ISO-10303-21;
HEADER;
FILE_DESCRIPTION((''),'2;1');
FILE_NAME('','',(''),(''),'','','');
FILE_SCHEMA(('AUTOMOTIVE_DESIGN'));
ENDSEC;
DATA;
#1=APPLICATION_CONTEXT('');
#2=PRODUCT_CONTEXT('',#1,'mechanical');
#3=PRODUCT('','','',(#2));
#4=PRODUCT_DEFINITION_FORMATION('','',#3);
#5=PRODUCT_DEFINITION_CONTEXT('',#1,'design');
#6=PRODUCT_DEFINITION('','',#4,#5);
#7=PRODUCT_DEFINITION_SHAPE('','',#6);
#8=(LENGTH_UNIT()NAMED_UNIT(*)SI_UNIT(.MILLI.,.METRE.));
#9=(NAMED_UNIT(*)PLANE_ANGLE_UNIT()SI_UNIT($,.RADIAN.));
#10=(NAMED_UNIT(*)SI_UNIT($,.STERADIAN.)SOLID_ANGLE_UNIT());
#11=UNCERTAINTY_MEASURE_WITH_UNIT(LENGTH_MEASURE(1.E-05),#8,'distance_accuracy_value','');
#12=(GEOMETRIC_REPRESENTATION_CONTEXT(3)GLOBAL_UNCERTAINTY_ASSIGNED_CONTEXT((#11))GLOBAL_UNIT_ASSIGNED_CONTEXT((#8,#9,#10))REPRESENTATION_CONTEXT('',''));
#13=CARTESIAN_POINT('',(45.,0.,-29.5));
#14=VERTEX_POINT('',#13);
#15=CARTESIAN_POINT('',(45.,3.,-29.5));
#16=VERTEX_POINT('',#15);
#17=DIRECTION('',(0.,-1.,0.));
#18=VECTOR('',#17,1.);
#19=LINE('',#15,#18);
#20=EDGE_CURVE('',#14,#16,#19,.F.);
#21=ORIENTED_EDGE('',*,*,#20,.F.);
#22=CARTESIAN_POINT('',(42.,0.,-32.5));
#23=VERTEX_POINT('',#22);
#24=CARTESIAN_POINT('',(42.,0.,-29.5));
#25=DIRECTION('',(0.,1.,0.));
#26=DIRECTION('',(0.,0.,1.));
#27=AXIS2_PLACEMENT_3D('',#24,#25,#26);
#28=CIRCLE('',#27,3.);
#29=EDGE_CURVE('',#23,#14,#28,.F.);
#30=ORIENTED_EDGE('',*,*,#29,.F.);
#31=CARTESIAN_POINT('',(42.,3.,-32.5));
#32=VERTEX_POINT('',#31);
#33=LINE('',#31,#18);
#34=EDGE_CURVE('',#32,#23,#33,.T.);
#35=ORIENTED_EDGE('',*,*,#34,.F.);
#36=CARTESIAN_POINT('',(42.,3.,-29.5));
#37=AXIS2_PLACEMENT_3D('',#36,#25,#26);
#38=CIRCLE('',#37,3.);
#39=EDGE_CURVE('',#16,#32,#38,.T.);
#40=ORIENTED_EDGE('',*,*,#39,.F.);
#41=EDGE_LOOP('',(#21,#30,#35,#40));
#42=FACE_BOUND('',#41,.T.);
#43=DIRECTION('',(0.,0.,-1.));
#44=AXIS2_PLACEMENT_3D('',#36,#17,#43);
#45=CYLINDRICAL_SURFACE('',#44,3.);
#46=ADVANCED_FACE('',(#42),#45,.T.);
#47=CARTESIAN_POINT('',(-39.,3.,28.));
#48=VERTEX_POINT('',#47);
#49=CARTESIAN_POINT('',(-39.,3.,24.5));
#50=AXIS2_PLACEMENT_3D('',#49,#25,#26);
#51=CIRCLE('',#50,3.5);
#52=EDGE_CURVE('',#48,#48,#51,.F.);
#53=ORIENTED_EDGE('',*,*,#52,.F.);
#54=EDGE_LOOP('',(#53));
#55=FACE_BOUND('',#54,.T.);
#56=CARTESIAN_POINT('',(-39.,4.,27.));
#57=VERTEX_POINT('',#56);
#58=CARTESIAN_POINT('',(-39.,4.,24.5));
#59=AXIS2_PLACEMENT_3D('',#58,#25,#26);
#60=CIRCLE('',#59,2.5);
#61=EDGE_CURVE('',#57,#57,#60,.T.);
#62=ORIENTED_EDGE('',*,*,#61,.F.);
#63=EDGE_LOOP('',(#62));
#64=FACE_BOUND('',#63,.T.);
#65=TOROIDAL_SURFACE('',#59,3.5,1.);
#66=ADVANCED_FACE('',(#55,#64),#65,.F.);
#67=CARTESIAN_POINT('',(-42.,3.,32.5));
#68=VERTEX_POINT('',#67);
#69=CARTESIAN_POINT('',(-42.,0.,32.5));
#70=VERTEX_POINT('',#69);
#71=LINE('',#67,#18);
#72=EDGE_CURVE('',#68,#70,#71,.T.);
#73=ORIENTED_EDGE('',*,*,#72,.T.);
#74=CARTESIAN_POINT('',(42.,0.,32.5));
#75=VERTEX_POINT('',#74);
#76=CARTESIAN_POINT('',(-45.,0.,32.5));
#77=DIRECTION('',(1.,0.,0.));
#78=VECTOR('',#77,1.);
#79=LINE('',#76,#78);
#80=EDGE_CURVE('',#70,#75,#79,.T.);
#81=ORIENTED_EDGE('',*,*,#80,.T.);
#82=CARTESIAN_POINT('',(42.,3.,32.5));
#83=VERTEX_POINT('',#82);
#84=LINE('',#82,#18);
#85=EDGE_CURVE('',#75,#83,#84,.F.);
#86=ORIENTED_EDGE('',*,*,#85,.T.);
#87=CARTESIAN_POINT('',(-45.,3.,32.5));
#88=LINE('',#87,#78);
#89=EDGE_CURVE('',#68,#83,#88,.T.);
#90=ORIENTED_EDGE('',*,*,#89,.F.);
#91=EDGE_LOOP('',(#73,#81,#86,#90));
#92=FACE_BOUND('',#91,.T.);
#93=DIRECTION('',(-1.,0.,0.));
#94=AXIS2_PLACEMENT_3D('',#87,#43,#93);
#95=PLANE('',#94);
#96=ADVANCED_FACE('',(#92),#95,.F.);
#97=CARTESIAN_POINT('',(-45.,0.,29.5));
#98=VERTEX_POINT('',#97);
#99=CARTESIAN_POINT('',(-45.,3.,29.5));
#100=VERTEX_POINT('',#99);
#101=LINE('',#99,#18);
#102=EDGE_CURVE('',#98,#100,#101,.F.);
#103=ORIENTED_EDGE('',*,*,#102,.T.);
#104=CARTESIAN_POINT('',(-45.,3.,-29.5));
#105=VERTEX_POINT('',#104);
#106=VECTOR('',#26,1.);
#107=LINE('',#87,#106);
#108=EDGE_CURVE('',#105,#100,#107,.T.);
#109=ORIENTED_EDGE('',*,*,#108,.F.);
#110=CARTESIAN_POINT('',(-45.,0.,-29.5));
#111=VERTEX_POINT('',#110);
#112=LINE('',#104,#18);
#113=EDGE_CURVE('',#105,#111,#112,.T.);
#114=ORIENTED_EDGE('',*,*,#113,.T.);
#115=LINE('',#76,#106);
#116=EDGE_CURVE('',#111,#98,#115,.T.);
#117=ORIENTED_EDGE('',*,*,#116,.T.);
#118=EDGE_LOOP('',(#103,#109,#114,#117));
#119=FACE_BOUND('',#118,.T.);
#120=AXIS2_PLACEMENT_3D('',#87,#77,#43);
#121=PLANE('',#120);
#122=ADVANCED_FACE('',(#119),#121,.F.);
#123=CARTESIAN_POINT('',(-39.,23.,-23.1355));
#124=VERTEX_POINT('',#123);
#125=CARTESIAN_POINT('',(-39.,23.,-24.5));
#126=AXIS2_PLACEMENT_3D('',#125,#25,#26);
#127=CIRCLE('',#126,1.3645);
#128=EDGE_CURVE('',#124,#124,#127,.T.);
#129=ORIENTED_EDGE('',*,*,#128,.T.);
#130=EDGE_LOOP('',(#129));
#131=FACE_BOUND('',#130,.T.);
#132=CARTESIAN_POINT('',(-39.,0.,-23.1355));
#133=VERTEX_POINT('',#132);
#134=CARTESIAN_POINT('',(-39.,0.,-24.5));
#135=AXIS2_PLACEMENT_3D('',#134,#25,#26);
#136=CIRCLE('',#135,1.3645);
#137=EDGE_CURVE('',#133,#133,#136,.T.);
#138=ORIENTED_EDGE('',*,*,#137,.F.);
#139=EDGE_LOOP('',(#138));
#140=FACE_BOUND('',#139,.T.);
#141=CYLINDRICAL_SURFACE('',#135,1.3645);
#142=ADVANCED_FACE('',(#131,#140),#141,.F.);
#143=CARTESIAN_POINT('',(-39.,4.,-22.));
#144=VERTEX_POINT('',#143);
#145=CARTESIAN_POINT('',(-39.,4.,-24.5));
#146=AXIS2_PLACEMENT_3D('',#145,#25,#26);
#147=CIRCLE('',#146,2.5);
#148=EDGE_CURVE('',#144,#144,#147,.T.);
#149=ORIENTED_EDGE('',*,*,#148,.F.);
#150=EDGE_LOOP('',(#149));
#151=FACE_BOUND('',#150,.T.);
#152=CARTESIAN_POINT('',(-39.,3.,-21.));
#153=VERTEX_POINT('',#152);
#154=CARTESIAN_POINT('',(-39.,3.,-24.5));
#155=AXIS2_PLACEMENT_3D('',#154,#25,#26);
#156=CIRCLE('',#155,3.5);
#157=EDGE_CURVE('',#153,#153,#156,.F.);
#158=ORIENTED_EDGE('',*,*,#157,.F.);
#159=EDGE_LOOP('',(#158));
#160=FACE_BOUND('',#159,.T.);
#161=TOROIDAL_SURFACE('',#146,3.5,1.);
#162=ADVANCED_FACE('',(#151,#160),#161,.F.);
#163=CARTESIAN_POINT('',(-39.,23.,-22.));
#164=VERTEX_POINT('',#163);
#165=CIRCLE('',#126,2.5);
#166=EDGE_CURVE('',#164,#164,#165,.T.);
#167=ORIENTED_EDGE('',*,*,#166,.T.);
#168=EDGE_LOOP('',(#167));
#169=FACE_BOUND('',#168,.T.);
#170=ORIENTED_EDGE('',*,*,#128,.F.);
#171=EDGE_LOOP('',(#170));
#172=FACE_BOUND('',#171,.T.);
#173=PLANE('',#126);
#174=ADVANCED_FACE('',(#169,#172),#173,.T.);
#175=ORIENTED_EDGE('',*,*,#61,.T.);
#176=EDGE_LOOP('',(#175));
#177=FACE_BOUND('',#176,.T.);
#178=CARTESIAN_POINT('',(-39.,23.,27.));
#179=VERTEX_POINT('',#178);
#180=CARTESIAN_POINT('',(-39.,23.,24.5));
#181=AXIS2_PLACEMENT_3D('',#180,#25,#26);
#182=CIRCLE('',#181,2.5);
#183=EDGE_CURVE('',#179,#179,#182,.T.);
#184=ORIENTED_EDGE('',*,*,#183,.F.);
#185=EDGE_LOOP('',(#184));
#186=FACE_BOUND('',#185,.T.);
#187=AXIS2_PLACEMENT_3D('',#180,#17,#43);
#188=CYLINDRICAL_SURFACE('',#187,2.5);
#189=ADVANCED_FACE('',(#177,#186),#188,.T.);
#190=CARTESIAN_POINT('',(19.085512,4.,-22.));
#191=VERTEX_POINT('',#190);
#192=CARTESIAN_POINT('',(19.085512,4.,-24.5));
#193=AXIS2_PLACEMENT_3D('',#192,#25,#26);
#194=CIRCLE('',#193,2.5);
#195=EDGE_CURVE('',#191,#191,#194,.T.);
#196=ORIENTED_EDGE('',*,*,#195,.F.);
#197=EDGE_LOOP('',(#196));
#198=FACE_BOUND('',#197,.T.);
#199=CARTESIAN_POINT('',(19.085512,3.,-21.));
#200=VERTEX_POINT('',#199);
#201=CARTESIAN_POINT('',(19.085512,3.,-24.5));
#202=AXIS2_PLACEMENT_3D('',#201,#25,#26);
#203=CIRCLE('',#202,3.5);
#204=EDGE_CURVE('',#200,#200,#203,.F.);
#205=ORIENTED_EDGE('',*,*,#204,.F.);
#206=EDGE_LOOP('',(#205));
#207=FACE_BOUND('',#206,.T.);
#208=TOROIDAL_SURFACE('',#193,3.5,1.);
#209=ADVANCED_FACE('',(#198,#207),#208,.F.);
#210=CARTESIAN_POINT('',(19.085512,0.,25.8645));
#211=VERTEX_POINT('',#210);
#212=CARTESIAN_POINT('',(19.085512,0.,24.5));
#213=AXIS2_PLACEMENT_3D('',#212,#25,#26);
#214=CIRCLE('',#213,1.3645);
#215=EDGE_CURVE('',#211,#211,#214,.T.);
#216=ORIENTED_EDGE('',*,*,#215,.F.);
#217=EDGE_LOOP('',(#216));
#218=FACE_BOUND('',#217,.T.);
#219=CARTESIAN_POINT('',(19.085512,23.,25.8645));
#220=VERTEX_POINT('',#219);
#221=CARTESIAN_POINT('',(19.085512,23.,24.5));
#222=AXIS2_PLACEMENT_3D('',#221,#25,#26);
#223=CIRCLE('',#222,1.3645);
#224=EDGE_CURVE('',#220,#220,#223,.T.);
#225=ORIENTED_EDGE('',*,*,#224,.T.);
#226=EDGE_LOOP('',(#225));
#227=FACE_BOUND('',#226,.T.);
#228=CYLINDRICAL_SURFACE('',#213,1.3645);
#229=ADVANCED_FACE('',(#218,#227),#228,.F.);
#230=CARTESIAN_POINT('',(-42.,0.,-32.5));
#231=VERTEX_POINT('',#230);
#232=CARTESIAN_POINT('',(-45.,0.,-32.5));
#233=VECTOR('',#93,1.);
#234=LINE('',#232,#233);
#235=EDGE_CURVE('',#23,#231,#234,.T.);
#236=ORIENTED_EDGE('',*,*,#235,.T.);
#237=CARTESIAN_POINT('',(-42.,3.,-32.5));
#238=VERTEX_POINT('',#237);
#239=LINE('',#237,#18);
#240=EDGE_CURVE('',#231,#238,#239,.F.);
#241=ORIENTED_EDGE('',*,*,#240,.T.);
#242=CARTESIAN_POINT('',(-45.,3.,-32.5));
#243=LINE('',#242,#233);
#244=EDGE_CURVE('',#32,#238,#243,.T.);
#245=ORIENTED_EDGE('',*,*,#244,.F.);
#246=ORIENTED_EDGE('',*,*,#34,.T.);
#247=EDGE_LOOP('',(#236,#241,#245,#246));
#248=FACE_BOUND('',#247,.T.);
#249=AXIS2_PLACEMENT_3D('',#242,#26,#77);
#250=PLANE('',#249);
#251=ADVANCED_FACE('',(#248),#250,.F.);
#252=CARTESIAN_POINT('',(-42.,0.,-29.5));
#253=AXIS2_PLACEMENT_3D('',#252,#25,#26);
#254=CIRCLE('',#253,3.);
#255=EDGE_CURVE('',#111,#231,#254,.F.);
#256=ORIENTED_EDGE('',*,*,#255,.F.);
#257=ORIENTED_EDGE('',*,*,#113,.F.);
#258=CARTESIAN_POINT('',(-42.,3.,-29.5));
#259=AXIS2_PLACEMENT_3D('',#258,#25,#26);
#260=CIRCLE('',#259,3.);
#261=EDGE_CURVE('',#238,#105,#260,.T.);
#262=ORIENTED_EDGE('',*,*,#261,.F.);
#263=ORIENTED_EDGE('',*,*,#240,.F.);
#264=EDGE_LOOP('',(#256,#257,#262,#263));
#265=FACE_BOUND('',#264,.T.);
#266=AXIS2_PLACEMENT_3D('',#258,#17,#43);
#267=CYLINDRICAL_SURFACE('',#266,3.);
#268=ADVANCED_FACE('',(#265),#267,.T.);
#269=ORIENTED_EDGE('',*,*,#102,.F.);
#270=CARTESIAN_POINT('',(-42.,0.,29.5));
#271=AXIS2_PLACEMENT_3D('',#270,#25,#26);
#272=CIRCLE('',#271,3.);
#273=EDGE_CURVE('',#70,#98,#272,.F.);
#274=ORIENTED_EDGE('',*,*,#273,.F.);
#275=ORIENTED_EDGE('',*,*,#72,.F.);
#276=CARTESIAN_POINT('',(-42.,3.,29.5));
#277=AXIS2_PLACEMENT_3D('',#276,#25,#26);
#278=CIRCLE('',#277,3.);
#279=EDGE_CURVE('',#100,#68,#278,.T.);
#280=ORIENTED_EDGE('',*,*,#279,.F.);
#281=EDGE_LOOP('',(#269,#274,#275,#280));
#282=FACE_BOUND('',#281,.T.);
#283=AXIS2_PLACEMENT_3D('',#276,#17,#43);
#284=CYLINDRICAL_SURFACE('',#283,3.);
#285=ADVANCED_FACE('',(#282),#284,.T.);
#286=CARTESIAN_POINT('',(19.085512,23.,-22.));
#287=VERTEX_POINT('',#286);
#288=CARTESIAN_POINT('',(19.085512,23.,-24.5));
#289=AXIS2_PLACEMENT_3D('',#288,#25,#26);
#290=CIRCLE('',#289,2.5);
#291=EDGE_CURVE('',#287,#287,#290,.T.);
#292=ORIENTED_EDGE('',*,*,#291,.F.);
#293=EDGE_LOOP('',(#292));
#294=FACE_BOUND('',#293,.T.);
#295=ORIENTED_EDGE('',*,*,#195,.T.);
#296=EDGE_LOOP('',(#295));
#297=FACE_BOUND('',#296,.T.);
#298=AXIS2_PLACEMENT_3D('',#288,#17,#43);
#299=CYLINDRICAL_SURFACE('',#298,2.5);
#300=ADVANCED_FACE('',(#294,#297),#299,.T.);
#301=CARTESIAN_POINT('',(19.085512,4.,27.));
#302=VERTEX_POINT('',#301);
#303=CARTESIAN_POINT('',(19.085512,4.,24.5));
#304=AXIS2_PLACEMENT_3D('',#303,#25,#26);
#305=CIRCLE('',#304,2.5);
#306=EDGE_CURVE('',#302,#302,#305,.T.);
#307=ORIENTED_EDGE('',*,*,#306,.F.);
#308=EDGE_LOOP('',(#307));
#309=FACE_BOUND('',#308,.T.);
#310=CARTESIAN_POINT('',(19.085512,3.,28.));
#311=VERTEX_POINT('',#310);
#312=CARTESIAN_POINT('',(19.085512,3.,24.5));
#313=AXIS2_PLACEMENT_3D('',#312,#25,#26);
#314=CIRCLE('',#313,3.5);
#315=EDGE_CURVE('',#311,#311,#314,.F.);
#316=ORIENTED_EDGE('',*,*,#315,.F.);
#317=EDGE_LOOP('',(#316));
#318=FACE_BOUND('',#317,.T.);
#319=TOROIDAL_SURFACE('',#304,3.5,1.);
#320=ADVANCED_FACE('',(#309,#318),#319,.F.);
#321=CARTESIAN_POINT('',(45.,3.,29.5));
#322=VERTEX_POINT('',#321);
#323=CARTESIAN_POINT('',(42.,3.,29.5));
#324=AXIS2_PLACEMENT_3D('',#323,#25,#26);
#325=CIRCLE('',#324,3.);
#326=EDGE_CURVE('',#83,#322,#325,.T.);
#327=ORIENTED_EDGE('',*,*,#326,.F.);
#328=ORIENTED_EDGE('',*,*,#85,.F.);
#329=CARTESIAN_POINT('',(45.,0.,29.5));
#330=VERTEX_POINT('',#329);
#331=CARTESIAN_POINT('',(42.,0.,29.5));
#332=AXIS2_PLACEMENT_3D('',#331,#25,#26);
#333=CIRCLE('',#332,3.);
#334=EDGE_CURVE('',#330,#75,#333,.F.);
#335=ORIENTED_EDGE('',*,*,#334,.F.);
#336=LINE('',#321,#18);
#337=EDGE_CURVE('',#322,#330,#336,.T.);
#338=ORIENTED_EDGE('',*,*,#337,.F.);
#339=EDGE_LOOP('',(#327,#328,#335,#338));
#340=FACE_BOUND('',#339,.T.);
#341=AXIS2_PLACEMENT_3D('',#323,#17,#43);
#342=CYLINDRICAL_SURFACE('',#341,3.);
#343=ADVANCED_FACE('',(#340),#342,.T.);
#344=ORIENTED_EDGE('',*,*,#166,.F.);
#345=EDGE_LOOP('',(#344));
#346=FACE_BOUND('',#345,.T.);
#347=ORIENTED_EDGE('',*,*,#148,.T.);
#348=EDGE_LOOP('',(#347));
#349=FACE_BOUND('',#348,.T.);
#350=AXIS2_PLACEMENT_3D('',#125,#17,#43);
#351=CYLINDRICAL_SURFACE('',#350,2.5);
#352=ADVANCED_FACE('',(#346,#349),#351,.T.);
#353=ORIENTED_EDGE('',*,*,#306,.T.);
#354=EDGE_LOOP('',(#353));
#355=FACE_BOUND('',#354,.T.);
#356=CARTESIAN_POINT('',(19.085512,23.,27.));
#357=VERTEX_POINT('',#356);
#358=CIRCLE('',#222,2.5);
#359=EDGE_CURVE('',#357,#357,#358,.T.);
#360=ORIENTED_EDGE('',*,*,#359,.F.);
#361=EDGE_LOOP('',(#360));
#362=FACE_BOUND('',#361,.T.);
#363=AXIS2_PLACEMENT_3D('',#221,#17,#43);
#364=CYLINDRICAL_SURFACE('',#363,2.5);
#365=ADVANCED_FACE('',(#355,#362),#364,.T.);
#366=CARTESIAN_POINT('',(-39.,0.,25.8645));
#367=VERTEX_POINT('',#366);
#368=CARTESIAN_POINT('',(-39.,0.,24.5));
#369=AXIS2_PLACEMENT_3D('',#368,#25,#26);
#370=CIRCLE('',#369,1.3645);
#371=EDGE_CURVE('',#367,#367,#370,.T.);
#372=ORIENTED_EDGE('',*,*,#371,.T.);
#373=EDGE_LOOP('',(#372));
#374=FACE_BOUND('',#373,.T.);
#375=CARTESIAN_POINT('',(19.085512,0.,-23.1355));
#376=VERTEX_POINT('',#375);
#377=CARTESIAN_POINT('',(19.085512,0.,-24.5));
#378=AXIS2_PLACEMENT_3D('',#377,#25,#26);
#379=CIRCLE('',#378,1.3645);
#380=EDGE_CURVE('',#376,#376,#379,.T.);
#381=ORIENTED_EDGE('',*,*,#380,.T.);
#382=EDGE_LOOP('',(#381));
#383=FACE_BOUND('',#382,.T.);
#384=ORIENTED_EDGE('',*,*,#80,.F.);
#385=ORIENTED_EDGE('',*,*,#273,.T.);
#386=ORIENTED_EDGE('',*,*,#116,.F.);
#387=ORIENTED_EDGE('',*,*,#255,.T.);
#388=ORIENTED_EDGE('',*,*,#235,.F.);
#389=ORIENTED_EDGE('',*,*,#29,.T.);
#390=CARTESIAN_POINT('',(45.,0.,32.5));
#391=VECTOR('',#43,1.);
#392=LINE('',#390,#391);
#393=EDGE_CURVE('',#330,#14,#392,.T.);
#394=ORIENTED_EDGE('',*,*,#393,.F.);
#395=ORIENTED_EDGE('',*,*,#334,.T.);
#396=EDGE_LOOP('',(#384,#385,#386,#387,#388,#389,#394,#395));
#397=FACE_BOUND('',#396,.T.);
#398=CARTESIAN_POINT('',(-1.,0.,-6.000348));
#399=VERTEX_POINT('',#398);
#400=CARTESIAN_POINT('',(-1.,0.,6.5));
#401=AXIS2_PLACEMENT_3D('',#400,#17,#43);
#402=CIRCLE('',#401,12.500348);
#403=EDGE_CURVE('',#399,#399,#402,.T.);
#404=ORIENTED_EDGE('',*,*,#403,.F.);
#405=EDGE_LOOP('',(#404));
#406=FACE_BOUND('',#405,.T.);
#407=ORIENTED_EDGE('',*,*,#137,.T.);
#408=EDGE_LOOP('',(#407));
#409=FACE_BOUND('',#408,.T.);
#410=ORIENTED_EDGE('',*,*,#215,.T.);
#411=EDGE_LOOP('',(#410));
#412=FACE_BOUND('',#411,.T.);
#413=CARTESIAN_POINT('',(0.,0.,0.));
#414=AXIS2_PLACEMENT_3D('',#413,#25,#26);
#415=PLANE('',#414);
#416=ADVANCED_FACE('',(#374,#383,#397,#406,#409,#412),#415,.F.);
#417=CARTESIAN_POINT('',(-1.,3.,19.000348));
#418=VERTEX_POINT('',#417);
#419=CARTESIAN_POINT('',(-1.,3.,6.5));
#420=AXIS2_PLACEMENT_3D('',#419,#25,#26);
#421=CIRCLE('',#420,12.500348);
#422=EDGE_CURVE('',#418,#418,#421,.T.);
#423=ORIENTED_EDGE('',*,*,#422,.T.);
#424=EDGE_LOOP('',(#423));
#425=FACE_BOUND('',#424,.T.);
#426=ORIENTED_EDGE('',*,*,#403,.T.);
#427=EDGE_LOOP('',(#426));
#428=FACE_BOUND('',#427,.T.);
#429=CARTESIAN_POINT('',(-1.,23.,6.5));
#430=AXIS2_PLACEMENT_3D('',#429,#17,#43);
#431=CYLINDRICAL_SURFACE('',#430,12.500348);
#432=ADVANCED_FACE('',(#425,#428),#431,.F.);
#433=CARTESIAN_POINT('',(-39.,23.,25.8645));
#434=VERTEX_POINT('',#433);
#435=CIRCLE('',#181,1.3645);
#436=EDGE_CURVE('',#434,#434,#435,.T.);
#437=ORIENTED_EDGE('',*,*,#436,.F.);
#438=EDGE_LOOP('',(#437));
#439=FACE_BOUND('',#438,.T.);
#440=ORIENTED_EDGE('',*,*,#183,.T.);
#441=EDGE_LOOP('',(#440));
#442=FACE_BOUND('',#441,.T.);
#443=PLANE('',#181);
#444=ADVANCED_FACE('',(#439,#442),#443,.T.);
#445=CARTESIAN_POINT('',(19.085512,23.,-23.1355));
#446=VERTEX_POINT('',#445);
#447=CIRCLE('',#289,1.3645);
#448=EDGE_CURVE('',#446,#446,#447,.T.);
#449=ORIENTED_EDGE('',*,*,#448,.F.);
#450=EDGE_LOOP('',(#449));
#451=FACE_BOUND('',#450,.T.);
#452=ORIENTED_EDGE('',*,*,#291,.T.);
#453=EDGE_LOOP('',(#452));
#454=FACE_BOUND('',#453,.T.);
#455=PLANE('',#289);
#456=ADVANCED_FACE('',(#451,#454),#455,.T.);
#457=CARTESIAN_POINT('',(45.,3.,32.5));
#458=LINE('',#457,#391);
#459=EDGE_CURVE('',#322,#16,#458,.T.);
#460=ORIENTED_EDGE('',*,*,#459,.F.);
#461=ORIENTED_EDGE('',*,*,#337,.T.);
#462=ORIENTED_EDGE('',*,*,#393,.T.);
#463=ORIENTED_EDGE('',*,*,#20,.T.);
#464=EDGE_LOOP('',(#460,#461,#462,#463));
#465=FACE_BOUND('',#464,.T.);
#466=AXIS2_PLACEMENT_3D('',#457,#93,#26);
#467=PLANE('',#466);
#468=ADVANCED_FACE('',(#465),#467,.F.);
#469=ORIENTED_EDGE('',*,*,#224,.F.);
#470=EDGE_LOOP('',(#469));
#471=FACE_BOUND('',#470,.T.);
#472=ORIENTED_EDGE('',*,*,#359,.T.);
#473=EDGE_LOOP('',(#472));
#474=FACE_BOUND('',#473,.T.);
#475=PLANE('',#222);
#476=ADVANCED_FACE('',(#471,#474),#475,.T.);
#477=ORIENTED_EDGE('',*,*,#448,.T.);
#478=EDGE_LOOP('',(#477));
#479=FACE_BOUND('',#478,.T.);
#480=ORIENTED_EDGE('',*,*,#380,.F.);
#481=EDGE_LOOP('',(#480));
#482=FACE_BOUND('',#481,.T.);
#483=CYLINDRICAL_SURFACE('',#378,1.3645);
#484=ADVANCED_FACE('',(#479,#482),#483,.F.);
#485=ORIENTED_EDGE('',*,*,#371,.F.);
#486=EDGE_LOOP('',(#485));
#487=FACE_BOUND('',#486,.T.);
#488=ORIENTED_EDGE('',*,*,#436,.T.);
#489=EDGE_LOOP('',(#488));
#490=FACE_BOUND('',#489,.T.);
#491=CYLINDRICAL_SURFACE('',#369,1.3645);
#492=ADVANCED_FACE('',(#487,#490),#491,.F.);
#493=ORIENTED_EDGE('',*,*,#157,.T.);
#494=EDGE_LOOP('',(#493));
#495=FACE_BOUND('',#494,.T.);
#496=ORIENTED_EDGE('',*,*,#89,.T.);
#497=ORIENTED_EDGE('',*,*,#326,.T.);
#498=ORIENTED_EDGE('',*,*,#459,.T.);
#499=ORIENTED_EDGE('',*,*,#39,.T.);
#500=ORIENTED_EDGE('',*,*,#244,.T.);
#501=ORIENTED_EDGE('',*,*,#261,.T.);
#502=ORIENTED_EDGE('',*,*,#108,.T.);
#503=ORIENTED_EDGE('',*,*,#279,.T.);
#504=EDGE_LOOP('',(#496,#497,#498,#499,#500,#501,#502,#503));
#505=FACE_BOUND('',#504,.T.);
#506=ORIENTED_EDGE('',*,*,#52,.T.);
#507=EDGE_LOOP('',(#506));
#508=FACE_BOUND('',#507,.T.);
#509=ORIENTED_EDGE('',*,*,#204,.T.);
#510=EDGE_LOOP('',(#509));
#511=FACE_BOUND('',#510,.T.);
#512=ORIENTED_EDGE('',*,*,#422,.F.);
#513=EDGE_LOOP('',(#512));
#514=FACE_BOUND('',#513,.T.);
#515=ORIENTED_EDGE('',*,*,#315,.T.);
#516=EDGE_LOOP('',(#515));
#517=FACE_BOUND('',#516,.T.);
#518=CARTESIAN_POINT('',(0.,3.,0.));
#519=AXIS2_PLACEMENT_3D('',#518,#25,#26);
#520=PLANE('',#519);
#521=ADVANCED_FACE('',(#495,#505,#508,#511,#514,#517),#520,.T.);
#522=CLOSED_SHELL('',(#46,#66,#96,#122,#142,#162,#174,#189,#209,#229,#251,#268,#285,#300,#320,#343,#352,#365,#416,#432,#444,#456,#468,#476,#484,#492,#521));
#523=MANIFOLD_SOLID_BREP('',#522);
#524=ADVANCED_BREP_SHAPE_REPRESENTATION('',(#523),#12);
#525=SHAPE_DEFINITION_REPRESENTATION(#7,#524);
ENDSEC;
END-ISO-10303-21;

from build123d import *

# Parameters (mm, degrees)
SKIZZE1_W                       = 90
SKIZZE1_H                       = 65
AUFSATZ_LINEAR_AUSTRAGEN1_DEPTH = 3
SKIZZE3_R                       = 2.5
AUFSATZ_LINEAR_AUSTRAGEN2_DEPTH = 20
SKIZZE4_R                       = 1.364499713
SCHNITT_LINEAR_AUSTRAGEN2_DEPTH = 61.085355953
VERRUNDUNG1_R                   = 3
VERRUNDUNG2_R                   = 1
SKIZZE5_R                       = 12.500347999
SCHNITT_LINEAR_AUSTRAGEN3_DEPTH = 61.085355953


with BuildPart() as part:
    # Skizze1 → Aufsatz-Linear austragen1 (new body)
    with BuildSketch(Plane(origin=(0, 0, 0), x_dir=(1, 0, 0), z_dir=(0, 1, 0))):
        Rectangle(SKIZZE1_W, SKIZZE1_H)
    extrude(amount=AUFSATZ_LINEAR_AUSTRAGEN1_DEPTH)

    # Skizze3 → Aufsatz-Linear austragen2 (add)
    with BuildSketch(Plane(origin=(0, 3, 0), x_dir=(1, 0, 0), z_dir=(0, 1, 0))):
        with Locations(Location((-39, 24.5, 0), (0, 0, 270))):
            Circle(SKIZZE3_R)
        with Locations(Location((19.085512482, 24.5, 0), (0, 0, 270))):
            Circle(SKIZZE3_R)
        with Locations(Location((19.085512482, -24.5, 0), (0, 0, 270))):
            Circle(SKIZZE3_R)
        with Locations(Location((-39, -24.5, 0), (0, 0, 270))):
            Circle(SKIZZE3_R)
    extrude(amount=AUFSATZ_LINEAR_AUSTRAGEN2_DEPTH)

    # Skizze4 → Schnitt-Linear austragen2 (cut, through all)
    with BuildSketch(Plane(origin=(0, 23, 0), x_dir=(1, 0, 0), z_dir=(0, 1, 0))):
        with Locations(Location((19.085512482, 24.5, 0), (0, 0, 270))):
            Circle(SKIZZE4_R)
        with Locations(Location((-39, 24.5, 0), (0, 0, 270))):
            Circle(SKIZZE4_R)
        with Locations(Location((-39, -24.5, 0), (0, 0, 270))):
            Circle(SKIZZE4_R)
        with Locations(Location((19.085512482, -24.5, 0), (0, 0, 270))):
            Circle(SKIZZE4_R)
    extrude(amount=-SCHNITT_LINEAR_AUSTRAGEN2_DEPTH, mode=Mode.SUBTRACT)

    # Verrundung1
    verrundung1_edges = [part.edges().sort_by_distance(p)[0] for p in [
        (-45, 1.5, 32.5),
        (-45, 1.5, -32.5),
        (45, 1.5, -32.5),
        (45, 1.5, 32.5),
    ]]
    fillet(verrundung1_edges, radius=VERRUNDUNG1_R)

    # Verrundung2
    verrundung2_edges = [part.edges().sort_by_distance(p)[0] for p in [
        (-39, 3, -27),
        (19.085512482, 3, -27),
        (19.085512482, 3, 22),
        (-39, 3, 22),
    ]]
    fillet(verrundung2_edges, radius=VERRUNDUNG2_R)

    # Skizze5 → Schnitt-Linear austragen3 (cut, through all)
    with BuildSketch(Plane.XZ):
        with Locations(Location((-1, 6.5, 0), (0, 0, 270))):
            Circle(SKIZZE5_R)
    extrude(amount=-SCHNITT_LINEAR_AUSTRAGEN3_DEPTH, mode=Mode.SUBTRACT)


solid = part.part
